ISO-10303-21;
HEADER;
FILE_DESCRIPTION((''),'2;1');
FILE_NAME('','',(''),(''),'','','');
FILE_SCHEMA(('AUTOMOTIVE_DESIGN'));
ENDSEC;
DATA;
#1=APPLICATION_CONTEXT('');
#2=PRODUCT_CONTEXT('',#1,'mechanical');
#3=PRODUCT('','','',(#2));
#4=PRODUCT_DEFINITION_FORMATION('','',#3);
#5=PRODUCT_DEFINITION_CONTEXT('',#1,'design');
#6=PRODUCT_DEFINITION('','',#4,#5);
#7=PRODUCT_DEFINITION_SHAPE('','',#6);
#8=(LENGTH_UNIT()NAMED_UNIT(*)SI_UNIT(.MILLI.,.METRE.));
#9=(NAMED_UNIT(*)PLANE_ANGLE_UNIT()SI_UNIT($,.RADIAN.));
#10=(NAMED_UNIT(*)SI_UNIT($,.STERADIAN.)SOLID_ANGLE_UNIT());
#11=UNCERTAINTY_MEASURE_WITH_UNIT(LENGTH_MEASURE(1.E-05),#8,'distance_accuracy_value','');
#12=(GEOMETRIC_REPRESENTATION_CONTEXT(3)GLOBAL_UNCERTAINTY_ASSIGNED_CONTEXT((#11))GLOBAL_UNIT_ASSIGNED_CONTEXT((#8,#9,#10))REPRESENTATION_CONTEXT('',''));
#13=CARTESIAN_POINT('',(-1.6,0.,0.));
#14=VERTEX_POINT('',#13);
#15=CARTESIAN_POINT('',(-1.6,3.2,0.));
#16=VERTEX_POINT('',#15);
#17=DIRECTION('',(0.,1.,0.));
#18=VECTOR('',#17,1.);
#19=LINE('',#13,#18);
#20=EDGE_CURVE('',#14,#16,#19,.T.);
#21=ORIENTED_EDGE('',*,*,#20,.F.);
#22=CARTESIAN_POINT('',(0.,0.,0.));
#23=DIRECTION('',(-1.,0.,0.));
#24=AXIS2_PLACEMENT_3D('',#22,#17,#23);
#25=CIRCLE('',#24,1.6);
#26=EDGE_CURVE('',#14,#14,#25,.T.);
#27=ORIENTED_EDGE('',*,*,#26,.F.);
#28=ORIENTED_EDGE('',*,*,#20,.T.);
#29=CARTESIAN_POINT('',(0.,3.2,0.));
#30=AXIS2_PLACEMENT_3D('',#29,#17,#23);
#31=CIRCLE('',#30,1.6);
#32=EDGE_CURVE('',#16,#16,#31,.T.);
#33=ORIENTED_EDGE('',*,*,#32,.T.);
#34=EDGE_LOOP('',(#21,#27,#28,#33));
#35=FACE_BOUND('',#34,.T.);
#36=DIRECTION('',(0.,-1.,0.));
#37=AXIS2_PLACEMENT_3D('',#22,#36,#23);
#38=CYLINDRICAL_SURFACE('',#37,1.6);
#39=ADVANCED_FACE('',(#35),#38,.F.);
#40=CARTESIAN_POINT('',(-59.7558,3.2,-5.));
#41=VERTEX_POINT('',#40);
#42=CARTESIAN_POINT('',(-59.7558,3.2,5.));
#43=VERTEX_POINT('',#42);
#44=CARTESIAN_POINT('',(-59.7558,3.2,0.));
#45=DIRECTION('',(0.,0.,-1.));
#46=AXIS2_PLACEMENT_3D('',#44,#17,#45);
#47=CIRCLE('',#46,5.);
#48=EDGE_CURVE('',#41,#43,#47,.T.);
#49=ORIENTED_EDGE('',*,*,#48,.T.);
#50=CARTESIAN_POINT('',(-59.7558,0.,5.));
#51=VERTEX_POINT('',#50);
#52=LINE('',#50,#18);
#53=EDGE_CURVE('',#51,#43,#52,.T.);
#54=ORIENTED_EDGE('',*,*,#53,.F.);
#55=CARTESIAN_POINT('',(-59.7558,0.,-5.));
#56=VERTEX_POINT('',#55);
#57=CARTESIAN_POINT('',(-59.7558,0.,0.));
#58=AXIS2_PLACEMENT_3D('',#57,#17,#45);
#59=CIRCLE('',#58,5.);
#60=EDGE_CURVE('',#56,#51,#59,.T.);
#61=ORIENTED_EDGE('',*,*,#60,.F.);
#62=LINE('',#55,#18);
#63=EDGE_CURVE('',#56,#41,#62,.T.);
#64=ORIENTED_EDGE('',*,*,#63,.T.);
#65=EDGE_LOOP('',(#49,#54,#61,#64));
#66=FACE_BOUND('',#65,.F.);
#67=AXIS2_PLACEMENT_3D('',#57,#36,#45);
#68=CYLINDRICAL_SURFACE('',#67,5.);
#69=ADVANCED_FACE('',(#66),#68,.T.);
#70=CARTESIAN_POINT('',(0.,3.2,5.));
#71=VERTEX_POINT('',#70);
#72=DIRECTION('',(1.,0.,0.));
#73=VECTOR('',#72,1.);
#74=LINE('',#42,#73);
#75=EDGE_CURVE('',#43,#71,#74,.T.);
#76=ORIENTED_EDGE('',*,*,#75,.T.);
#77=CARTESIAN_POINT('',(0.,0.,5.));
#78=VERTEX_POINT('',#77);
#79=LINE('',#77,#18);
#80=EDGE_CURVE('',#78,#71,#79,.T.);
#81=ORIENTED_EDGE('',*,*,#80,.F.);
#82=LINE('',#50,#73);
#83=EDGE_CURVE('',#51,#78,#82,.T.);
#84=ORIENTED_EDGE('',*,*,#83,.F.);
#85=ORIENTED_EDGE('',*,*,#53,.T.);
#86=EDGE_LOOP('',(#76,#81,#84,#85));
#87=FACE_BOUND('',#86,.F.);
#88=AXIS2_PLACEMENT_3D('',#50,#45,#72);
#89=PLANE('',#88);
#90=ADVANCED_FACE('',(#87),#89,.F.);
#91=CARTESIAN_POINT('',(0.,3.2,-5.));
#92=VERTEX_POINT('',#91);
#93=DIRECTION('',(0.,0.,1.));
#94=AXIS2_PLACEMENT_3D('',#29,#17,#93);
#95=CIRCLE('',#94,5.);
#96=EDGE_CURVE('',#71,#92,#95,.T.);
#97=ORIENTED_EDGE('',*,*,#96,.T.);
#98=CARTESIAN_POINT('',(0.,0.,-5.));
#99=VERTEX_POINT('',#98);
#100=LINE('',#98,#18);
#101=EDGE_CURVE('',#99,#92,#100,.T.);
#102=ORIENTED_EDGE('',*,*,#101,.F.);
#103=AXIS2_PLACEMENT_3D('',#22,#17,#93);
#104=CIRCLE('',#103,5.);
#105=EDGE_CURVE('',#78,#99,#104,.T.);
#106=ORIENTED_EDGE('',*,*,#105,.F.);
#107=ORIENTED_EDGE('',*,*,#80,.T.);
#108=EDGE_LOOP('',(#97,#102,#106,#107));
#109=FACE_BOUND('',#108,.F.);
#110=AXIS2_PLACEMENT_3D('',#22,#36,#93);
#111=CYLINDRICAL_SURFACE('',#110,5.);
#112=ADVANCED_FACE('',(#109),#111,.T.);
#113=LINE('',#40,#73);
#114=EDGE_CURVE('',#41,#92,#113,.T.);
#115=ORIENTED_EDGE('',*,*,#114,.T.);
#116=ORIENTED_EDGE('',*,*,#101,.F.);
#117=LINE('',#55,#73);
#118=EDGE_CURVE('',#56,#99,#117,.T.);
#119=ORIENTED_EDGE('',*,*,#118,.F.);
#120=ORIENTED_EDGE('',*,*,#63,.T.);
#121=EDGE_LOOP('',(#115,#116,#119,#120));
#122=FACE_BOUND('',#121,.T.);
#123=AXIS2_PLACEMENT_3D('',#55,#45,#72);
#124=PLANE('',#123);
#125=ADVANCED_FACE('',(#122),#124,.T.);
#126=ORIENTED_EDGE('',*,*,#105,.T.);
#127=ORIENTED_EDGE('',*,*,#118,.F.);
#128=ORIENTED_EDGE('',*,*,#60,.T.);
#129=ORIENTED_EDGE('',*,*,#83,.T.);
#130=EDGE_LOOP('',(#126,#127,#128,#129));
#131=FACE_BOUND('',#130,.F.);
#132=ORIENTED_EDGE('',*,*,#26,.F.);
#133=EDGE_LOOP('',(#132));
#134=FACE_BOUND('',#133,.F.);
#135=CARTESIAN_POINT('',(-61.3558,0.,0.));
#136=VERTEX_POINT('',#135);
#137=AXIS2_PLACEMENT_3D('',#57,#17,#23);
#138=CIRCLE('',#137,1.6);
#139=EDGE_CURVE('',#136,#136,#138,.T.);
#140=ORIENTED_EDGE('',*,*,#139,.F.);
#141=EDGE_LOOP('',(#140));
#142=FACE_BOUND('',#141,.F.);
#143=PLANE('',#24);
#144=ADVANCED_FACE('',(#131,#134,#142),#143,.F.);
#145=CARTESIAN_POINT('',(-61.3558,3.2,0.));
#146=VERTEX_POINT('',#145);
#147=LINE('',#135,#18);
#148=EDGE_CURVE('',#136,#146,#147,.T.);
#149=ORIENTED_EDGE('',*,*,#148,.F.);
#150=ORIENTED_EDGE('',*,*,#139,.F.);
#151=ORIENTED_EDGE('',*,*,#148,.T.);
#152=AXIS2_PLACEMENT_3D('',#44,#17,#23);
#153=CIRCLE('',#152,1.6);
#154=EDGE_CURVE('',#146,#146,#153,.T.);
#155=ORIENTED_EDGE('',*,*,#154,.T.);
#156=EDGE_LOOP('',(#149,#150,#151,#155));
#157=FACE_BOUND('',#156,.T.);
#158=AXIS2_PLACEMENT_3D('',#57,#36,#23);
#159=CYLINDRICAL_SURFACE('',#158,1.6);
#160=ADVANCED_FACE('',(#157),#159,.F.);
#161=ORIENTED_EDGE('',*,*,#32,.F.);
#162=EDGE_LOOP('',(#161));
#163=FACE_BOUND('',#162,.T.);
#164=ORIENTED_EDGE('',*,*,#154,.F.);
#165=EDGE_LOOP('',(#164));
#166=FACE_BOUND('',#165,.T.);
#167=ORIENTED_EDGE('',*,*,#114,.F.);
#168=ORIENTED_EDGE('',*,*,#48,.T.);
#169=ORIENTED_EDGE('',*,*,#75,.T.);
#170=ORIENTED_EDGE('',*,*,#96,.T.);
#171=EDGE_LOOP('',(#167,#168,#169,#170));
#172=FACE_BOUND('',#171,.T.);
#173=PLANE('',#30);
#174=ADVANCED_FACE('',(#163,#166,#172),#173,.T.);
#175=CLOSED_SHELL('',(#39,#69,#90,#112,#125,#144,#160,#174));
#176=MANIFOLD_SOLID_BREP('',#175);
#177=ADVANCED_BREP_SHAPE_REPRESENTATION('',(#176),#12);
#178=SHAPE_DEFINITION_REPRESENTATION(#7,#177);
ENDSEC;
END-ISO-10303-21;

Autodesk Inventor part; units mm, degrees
ref_plane "YZ Plane" through (0, 0, 0) normal (1, 0, 0) x (0, 1, 0)
ref_plane "XZ Plane" through (0, 0, 0) normal (0, 1, 0) x (-1, 0, 0)
ref_plane "XY Plane" through (0, 0, 0) normal (0, 0, 1) x (1, 0, 0)
sketch "Sketch1" plane through (0, 0, 0) normal (0, 1, 0) x (-1, 0, 0)
  circle A0 centre (59.7558, 0) radius 1.6
  circle A1 centre (0, 0) radius 1.6
  arc A2 (59.7558, -5) -> (59.7558, 5) centre (59.7558, 0) ccw
  arc A3 (0, 5) -> (0, -5) centre (0, 0) ccw
  line L0 (59.7558, 5) -> (0, 5)
  line L1 (59.7558, -5) -> (0, -5)
  dimension "d0" = 3.2
  dimension "d1" = 3.2
  dimension "d2" = 59.7557
  dimension "d12" = 10
  dimension "d13" = 10
extrude "Extrusion1" add sketch "Sketch1" along normal blind 3.2
equation "\"d13\" = d12"
properties part number "portabateria"
